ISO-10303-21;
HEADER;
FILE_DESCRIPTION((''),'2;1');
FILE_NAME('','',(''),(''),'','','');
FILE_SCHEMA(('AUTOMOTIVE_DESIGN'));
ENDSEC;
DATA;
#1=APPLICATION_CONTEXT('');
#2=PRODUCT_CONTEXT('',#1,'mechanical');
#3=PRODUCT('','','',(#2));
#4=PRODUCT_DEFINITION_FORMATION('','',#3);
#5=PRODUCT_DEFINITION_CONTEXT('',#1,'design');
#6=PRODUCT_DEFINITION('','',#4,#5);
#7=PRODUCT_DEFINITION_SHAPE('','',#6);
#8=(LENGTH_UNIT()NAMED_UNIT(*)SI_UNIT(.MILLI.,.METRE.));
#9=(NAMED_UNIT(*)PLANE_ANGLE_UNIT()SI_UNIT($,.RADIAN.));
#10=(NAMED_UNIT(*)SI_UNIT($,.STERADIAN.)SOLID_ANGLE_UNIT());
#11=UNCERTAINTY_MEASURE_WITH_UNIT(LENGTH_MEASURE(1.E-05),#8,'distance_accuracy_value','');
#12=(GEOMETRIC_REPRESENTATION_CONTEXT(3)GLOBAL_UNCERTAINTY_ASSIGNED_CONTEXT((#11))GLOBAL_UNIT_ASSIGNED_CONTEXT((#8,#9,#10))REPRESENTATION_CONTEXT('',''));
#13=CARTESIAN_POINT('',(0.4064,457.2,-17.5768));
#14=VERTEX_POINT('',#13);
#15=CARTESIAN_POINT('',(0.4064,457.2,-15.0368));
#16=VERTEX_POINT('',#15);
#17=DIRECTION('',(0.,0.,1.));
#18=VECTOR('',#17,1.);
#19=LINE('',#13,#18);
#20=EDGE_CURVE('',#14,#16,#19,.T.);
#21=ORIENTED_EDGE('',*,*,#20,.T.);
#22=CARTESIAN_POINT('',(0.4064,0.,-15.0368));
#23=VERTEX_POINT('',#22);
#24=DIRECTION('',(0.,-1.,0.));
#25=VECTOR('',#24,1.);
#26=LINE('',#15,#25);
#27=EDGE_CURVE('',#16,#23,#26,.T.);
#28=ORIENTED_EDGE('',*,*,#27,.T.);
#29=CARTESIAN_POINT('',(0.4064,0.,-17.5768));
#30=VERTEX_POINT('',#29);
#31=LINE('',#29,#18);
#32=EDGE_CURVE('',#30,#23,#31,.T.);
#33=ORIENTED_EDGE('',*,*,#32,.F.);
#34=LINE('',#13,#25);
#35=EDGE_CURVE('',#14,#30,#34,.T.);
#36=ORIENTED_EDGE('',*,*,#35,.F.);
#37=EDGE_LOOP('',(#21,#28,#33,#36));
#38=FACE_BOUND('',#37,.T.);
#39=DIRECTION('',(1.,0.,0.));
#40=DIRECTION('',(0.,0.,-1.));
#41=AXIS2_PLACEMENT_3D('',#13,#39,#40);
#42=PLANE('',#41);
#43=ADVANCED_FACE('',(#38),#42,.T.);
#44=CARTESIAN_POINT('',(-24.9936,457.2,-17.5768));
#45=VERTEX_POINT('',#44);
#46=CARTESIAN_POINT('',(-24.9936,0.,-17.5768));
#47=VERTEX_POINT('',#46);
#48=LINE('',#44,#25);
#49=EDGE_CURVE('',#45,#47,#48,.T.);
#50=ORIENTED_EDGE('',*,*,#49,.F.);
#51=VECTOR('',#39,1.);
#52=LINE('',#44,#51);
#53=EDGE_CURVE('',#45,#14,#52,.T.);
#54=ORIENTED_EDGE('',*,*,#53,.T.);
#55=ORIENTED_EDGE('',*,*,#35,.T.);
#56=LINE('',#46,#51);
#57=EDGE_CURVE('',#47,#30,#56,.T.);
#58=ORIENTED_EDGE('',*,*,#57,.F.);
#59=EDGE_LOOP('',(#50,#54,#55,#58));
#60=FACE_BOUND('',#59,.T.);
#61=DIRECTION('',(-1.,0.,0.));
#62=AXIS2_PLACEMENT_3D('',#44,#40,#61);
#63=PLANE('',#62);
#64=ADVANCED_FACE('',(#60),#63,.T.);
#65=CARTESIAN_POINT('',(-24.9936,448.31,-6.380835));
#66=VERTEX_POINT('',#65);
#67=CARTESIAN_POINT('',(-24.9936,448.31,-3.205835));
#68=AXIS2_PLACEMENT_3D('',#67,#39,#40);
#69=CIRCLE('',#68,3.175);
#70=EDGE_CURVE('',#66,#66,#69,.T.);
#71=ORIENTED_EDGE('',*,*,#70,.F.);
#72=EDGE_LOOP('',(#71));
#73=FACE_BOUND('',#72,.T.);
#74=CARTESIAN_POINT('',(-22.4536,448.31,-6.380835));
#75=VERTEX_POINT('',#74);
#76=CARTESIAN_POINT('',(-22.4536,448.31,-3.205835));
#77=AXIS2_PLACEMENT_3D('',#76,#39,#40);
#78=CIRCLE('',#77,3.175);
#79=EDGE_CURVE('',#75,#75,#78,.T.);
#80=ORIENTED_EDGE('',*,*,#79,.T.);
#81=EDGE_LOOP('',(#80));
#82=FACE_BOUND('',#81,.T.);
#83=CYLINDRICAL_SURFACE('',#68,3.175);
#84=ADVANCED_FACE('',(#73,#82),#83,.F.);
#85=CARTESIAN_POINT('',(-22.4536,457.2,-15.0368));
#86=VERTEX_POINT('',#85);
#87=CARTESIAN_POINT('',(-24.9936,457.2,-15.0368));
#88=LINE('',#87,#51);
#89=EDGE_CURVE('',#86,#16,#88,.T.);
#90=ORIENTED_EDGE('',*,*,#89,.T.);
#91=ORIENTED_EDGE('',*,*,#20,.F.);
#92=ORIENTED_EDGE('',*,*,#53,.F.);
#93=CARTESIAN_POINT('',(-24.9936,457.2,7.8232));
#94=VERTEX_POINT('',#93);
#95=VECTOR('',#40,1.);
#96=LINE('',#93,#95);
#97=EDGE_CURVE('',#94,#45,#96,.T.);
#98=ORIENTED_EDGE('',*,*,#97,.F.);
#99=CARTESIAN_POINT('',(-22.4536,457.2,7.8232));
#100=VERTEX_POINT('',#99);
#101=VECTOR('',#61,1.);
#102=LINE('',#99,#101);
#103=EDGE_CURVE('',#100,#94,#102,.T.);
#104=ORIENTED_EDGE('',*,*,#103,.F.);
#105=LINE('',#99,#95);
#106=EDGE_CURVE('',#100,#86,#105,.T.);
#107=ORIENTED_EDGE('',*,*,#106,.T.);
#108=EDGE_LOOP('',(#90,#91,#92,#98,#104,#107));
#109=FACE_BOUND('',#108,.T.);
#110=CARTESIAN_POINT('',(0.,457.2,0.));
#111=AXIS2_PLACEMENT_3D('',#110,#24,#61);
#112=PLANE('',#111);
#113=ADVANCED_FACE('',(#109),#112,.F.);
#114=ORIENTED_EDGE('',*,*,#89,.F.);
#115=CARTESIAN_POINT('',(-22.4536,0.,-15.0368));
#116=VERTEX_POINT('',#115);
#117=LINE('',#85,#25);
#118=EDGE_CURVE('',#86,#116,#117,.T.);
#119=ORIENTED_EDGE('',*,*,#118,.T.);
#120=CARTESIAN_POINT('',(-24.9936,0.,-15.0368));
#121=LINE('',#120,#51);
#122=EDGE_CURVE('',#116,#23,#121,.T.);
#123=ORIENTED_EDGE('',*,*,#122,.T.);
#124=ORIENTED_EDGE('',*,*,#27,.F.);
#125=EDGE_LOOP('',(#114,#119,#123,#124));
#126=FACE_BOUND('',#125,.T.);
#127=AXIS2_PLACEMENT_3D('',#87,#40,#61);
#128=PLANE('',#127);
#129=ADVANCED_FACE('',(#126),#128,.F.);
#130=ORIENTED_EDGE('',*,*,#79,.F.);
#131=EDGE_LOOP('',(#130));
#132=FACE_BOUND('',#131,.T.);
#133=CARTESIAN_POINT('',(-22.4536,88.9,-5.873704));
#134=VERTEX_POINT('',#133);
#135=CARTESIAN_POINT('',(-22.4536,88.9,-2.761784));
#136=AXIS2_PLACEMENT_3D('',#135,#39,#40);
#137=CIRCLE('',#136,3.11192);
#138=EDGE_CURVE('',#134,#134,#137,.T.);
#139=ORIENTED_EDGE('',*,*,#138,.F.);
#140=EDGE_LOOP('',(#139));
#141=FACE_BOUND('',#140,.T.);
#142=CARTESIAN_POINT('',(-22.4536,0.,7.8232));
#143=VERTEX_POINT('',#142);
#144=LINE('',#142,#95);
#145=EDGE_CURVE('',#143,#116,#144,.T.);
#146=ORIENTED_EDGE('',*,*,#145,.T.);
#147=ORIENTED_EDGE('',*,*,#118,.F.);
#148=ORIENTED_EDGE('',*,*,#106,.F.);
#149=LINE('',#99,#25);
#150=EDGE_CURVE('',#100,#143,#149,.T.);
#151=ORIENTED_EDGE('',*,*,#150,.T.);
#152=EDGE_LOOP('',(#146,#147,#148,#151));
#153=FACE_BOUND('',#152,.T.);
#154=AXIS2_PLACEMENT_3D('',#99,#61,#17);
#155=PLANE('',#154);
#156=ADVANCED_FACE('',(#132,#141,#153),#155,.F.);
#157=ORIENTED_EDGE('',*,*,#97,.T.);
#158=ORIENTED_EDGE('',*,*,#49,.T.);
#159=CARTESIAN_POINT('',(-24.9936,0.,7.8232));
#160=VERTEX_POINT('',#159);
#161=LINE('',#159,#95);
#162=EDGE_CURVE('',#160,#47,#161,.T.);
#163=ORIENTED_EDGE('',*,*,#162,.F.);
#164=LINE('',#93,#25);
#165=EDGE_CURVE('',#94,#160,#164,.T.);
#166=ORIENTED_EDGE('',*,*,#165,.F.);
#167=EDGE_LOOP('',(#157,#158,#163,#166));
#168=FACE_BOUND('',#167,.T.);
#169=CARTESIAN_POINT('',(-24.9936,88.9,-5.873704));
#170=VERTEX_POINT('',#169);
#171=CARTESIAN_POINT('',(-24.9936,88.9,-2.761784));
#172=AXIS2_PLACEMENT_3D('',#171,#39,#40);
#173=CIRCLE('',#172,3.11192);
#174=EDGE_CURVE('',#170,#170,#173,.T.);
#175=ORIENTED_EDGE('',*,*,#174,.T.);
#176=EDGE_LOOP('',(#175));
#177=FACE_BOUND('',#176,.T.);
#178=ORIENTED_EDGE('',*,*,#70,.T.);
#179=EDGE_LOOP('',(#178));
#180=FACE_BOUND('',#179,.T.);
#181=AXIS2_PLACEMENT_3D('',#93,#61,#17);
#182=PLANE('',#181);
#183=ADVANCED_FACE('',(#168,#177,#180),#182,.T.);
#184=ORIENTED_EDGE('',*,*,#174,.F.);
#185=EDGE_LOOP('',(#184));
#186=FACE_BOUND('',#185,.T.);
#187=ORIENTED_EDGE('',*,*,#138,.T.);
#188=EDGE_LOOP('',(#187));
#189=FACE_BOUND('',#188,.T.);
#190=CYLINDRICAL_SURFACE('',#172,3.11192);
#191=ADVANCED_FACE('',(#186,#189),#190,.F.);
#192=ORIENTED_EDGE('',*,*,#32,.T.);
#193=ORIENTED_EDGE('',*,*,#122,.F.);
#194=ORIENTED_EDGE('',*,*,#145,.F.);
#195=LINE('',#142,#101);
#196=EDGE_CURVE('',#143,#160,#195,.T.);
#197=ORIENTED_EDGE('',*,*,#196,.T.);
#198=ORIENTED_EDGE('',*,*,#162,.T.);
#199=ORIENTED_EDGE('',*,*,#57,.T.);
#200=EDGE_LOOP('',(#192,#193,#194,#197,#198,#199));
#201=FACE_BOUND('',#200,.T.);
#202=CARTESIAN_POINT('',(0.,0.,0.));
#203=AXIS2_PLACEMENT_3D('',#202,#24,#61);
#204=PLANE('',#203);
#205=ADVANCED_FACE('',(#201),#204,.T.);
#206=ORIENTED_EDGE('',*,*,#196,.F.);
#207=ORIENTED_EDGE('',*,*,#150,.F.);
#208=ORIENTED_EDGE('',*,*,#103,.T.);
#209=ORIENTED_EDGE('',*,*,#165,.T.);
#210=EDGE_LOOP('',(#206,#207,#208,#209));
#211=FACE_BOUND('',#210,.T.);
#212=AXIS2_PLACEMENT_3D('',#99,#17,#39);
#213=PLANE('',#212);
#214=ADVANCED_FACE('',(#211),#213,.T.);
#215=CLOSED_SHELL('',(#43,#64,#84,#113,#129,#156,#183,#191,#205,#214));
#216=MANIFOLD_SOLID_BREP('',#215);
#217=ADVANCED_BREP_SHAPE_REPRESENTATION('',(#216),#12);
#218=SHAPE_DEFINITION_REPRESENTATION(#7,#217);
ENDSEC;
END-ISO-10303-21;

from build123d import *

# Parameters (mm, degrees)
EXTRUDE_THIN1_DEPTH = 457.2
SKETCH3_R           = 3.175
CUT_EXTRUDE1_DEPTH  = 459.108462592
SKETCH4_R           = 3.111919631
CUT_EXTRUDE2_DEPTH  = 459.108462592


with BuildPart() as part:
    # Sketch1 → Extrude-Thin1 (new body)
    with BuildSketch(Plane(origin=(0, 0, 0), x_dir=(1, 0, 0), z_dir=(0, 1, 0))):
        Polygon((-24.9936, -7.8232), (-24.9936, 17.5768), (0.4064, 17.5768), (0.4064, 15.0368), (-22.4536, 15.0368), (-22.4536, -7.8232), align=None)
    extrude(amount=EXTRUDE_THIN1_DEPTH)

    # Sketch3 → Cut-Extrude1 (cut, through all)
    with BuildSketch(Plane(origin=(-22.4536, 0, 0), x_dir=(0, 0, -1), z_dir=(1, 0, 0))):
        with Locations((3.205834921, 448.31)):
            Circle(SKETCH3_R)
    extrude(amount=-CUT_EXTRUDE1_DEPTH, mode=Mode.SUBTRACT)

    # Sketch4 → Cut-Extrude2 (cut, through all)
    with BuildSketch(Plane(origin=(-22.4536, 0, 0), x_dir=(0, 0, -1), z_dir=(1, 0, 0))):
        with Locations((2.761783971, 88.9)):
            Circle(SKETCH4_R)
    extrude(amount=-CUT_EXTRUDE2_DEPTH, mode=Mode.SUBTRACT)


solid = part.part
